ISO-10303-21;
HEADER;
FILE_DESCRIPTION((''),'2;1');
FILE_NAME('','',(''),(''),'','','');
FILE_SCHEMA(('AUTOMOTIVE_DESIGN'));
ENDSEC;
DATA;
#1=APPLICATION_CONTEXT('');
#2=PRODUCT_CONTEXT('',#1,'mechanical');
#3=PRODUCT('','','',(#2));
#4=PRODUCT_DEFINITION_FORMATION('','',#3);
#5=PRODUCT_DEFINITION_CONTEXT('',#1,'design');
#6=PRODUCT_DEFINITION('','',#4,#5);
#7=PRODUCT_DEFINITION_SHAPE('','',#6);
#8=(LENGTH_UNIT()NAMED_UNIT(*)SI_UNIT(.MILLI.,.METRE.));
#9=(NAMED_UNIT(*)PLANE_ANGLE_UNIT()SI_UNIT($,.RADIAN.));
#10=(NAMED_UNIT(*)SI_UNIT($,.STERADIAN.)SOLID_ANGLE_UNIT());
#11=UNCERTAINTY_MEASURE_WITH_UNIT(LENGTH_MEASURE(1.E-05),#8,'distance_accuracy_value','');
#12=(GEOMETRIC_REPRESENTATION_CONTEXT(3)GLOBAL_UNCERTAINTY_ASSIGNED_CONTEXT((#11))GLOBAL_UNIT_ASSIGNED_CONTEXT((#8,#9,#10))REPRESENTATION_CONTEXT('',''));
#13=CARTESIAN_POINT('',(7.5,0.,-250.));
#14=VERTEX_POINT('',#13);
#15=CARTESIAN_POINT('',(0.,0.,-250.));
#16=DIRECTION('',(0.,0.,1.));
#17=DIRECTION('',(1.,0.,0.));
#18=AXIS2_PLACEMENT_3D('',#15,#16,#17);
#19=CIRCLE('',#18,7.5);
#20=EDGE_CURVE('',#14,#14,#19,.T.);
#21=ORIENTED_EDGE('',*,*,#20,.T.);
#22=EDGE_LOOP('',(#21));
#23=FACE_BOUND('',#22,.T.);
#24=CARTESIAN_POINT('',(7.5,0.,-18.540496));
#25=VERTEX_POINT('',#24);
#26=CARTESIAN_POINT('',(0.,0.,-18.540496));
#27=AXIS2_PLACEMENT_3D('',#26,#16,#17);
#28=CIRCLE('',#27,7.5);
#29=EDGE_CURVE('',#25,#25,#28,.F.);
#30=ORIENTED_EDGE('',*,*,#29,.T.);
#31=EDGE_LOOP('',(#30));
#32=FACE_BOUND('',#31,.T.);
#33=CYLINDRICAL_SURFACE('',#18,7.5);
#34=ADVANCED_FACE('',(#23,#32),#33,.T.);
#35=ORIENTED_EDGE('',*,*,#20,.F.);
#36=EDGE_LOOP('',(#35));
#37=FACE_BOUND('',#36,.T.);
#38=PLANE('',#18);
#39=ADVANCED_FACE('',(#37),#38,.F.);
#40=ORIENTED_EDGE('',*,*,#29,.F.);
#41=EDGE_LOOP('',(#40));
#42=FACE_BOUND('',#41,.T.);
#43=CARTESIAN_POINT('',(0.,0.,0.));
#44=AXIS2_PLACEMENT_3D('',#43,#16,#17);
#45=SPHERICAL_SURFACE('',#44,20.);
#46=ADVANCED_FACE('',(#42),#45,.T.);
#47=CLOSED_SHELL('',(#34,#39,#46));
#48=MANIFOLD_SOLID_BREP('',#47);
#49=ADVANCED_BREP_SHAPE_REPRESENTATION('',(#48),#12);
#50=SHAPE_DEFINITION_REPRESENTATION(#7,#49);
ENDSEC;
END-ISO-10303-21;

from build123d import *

# Parameters (mm, degrees)
SKETCH1_R          = 7.5
BASE_EXTRUDE_DEPTH = 250


with BuildPart() as part:
    # Sketch1 → Base-Extrude (new body)
    with BuildSketch(Plane.XY):
        Circle(SKETCH1_R)
    extrude(amount=-BASE_EXTRUDE_DEPTH)

    # Sketch5 → Boss-Revolve1 (revolve)
    with BuildSketch(Plane.XY):
        with BuildLine():
            Line((0, 20), (0, -20))
            ThreePointArc((0, -20), (20, 0), (0, 20))
        make_face()
    revolve(axis=Axis((0, 20, 0), (0, -1, 0)))


solid = part.part
